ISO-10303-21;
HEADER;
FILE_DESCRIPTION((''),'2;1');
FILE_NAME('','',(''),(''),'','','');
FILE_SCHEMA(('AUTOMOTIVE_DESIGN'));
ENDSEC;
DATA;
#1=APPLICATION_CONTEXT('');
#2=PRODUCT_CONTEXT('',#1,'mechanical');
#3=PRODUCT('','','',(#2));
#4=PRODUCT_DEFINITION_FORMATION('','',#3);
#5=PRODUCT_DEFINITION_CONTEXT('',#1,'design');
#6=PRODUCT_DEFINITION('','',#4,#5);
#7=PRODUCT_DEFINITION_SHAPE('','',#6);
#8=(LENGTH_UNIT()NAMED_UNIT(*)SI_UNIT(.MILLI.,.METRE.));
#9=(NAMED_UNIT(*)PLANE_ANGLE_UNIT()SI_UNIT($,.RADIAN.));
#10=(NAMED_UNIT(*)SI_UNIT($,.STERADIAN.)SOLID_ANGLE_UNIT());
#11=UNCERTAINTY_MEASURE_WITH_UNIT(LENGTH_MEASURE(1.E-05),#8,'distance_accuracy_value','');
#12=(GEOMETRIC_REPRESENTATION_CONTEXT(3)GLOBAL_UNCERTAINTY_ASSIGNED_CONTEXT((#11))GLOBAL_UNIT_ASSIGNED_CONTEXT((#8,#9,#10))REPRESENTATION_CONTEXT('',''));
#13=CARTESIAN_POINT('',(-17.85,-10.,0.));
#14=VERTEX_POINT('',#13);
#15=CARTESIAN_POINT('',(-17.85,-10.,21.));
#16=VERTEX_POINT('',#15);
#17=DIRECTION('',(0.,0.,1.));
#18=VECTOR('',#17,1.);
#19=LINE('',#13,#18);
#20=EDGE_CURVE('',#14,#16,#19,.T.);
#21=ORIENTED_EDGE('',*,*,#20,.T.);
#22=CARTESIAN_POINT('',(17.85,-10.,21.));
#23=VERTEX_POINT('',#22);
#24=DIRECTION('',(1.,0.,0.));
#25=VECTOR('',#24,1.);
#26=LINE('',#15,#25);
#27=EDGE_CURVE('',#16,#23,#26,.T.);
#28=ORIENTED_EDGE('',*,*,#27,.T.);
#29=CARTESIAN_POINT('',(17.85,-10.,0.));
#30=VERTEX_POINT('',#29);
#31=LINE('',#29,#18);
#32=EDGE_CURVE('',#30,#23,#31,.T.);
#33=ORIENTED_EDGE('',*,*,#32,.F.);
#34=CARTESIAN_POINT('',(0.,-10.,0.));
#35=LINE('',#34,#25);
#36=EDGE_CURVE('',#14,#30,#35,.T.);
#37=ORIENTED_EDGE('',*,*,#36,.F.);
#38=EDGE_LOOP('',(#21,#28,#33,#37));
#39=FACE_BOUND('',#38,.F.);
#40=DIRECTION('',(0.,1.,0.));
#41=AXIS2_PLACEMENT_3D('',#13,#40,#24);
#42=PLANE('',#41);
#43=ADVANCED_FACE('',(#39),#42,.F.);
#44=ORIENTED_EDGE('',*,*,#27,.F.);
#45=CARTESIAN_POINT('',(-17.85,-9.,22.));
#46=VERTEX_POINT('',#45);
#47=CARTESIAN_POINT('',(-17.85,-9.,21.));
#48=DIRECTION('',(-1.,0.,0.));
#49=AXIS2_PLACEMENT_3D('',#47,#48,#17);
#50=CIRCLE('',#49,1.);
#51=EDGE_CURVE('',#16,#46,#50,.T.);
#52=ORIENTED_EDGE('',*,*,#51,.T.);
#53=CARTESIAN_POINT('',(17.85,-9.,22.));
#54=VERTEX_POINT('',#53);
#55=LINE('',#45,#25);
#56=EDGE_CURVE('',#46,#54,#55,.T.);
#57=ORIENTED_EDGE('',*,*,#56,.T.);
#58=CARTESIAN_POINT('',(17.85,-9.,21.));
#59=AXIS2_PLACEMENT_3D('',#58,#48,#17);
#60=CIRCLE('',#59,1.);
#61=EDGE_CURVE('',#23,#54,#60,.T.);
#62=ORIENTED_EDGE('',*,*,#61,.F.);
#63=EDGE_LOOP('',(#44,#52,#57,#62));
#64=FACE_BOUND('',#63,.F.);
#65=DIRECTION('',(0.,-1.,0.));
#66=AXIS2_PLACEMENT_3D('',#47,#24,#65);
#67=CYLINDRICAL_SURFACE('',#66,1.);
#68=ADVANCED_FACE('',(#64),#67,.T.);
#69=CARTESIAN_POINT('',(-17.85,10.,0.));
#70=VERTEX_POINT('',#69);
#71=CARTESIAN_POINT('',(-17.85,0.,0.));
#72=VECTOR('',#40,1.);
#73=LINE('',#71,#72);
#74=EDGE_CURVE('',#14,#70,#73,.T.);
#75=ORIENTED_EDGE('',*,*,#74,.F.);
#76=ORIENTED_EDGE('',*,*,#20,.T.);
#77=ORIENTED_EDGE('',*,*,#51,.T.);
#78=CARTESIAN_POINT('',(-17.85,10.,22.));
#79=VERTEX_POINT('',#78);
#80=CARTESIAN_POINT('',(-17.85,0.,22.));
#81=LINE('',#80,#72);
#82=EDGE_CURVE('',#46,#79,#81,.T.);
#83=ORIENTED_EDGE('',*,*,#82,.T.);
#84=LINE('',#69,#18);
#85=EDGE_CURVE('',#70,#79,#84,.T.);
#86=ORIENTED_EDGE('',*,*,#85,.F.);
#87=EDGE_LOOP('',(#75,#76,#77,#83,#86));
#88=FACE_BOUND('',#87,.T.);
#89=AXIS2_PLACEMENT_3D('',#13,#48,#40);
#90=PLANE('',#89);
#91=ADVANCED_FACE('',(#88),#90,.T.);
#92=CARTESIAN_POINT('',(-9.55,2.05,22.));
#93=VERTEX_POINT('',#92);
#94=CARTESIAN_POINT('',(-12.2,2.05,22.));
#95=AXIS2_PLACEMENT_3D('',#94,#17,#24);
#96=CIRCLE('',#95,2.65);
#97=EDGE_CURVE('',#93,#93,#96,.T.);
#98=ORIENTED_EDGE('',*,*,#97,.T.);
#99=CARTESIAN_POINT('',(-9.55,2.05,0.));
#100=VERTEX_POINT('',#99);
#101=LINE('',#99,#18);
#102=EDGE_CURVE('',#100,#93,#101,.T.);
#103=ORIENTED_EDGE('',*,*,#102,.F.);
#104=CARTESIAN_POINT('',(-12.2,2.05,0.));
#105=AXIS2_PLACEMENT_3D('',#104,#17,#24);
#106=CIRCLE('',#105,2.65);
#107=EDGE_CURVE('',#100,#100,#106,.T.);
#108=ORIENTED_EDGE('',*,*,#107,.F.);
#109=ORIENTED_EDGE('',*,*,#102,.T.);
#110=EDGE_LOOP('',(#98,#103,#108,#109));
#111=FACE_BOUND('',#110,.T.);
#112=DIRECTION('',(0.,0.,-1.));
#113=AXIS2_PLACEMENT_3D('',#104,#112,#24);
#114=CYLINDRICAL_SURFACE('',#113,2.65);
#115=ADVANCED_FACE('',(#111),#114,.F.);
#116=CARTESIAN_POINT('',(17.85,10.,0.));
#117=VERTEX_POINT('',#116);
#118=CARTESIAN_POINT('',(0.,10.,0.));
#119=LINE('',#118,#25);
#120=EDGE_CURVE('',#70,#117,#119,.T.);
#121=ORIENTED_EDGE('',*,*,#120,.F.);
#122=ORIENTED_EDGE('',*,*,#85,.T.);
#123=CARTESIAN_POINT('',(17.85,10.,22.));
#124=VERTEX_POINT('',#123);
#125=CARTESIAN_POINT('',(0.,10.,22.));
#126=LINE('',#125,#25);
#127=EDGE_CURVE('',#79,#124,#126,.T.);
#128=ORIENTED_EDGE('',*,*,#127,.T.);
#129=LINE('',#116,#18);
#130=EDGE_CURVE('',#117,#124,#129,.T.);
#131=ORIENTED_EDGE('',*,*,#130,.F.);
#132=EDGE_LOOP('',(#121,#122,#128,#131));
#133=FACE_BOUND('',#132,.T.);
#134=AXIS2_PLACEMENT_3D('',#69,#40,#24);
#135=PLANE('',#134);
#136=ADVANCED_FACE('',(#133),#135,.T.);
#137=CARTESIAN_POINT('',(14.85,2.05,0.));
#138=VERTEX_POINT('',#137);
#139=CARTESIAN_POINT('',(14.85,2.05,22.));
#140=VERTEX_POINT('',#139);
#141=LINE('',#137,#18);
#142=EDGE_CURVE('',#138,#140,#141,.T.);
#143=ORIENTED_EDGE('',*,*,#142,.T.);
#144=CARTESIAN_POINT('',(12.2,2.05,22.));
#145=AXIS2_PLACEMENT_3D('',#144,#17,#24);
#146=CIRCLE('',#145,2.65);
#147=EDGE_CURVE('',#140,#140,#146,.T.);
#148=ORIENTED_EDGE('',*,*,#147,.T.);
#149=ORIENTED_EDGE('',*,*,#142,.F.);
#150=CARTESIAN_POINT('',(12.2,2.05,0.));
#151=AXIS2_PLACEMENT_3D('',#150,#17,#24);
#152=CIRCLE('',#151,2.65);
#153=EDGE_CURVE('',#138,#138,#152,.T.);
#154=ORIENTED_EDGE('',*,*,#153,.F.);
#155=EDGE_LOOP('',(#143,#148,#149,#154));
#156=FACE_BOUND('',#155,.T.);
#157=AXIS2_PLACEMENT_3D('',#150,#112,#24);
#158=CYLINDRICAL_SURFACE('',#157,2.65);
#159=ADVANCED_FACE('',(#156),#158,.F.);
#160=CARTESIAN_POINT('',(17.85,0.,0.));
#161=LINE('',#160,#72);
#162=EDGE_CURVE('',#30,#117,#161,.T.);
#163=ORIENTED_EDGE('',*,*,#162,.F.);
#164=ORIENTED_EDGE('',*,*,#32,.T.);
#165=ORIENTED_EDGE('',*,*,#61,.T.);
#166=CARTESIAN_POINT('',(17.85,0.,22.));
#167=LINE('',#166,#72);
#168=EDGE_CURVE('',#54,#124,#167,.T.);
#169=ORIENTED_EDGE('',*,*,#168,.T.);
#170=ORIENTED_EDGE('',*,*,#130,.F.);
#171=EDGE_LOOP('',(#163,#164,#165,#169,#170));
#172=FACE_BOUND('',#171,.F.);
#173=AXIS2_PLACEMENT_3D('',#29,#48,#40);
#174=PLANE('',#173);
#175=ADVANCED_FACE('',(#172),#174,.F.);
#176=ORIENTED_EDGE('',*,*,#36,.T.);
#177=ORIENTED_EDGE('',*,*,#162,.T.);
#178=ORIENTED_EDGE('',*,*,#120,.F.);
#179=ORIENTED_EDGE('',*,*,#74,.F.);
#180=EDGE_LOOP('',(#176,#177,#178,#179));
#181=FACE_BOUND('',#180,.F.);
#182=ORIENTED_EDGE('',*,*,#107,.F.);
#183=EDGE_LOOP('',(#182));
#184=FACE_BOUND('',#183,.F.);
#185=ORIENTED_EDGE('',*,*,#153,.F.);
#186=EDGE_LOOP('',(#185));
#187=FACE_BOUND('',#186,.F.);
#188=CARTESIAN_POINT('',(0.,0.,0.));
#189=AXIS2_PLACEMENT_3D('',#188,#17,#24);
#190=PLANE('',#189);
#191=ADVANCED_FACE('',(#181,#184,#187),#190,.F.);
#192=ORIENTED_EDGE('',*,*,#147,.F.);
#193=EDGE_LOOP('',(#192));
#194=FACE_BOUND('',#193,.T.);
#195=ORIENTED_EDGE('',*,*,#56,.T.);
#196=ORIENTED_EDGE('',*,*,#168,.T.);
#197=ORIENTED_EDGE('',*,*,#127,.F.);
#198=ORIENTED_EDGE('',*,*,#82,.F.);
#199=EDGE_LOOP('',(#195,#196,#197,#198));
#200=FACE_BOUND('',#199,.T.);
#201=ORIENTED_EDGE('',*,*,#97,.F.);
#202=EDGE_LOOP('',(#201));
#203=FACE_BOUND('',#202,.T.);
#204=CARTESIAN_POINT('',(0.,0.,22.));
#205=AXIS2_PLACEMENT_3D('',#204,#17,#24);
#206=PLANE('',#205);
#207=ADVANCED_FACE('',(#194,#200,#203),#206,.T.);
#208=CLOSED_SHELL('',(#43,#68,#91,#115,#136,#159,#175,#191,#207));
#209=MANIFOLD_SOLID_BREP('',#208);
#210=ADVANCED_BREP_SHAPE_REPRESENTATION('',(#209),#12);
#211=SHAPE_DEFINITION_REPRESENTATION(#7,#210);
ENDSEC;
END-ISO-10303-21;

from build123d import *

# Parameters (mm, degrees)
F0_W     = 35.7
F0_H     = 20
F0_R     = 2.65
F1_DEPTH = 22
F2_R     = 1


with BuildPart() as f1:
    # F0 (on Top) → F1 (new body)
    with BuildSketch(Plane.XY):
        Rectangle(F0_W, F0_H)
        with Locations((-12.2, 2.05)):
            Circle(F0_R, mode=Mode.SUBTRACT)
        with Locations((12.2, 2.05)):
            Circle(F0_R, mode=Mode.SUBTRACT)
    extrude(amount=F1_DEPTH)

    # F2
    f2_edges = [f1.edges().sort_by_distance(p)[0] for p in [
        (0, -10, 22),
    ]]
    fillet(f2_edges, radius=F2_R)


solid = f1.part
